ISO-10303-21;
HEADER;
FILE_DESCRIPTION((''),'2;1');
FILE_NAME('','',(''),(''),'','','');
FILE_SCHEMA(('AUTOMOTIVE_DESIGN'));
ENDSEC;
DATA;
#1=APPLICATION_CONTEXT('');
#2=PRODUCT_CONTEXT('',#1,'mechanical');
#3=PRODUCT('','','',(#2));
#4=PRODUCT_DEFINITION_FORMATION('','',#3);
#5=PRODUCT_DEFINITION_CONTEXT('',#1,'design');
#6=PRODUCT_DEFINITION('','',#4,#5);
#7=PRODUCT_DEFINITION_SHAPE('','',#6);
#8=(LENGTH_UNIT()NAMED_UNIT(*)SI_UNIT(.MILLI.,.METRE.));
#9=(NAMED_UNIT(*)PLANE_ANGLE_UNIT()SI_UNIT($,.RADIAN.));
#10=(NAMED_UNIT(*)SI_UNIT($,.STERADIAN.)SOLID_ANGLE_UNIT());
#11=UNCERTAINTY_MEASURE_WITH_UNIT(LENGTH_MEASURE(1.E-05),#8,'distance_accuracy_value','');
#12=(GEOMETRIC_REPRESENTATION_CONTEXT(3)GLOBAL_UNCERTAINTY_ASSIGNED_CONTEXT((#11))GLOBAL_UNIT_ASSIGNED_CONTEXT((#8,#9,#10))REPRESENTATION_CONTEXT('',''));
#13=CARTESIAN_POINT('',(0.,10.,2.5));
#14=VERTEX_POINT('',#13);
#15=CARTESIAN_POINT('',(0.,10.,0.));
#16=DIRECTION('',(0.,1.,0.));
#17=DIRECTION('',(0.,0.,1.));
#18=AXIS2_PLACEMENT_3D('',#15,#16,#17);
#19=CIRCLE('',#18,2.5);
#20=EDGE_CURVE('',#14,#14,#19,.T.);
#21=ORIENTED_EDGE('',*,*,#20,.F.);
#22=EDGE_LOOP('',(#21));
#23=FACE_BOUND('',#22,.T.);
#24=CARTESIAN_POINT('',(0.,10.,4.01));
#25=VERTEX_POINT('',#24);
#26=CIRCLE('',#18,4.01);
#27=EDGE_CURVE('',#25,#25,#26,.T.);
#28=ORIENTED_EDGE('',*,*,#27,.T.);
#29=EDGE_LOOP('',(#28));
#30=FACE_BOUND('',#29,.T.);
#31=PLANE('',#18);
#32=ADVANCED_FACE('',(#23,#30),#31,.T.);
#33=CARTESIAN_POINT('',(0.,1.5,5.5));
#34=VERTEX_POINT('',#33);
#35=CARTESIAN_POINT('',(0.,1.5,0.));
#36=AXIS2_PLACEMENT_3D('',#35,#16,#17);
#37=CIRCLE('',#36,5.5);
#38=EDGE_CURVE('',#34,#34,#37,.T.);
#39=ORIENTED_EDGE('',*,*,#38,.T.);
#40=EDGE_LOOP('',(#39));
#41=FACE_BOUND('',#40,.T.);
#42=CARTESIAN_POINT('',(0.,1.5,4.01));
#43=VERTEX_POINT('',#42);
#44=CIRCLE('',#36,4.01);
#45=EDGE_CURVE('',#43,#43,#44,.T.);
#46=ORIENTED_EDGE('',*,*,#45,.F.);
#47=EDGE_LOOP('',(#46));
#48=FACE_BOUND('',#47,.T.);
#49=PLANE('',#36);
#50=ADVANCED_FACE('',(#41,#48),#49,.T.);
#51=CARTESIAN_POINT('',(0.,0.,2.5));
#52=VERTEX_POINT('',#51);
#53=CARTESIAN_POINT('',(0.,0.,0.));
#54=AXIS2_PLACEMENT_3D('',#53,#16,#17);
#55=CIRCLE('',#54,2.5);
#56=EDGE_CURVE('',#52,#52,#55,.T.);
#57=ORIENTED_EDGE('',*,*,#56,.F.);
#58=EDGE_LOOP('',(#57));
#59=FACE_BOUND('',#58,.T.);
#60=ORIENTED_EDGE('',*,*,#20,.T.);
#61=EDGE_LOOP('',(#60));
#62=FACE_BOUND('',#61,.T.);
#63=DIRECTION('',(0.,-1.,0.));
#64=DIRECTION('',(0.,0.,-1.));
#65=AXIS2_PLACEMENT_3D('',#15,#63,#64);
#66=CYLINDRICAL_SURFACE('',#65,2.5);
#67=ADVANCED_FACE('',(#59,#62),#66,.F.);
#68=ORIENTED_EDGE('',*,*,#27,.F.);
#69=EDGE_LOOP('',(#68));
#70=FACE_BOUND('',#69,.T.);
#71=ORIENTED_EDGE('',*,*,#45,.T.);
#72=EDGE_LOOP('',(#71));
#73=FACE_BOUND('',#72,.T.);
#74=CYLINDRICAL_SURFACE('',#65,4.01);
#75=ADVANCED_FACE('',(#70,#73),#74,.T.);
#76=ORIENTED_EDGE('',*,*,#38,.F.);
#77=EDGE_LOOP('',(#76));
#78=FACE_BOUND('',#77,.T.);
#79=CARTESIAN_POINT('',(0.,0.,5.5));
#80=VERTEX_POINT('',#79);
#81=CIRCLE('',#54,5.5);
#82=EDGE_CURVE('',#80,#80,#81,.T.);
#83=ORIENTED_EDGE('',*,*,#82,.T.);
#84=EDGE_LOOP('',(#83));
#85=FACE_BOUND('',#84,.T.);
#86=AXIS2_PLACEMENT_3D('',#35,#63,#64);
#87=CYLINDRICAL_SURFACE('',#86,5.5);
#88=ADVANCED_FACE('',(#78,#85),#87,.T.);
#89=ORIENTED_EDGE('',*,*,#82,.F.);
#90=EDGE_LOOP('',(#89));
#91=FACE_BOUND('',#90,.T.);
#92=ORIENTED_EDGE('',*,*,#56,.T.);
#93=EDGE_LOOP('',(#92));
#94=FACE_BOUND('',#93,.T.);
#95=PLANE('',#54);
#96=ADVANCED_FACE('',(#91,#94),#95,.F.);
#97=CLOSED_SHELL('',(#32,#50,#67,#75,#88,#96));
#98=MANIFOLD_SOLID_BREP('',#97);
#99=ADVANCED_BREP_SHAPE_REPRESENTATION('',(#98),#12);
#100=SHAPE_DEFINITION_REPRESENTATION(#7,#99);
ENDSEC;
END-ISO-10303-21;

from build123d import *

# Parameters (mm, degrees)
SKETCH2_R           = 4.01
SKETCH2_R_2         = 2.5
BOSS_EXTRUDE1_DEPTH = 10
SKETCH3_R           = 5.5
SKETCH3_R_2         = 4.01
BOSS_EXTRUDE2_DEPTH = 1.5


with BuildPart() as part:
    # Sketch2 → Boss-Extrude1 (new body)
    with BuildSketch(Plane(origin=(0, 0, 0), x_dir=(1, 0, 0), z_dir=(0, 1, 0))):
        Circle(SKETCH2_R)
        Circle(SKETCH2_R_2, mode=Mode.SUBTRACT)
    extrude(amount=BOSS_EXTRUDE1_DEPTH)

    # Sketch3 → Boss-Extrude2 (add)
    with BuildSketch(Plane(origin=(0, 0, 0), x_dir=(1, 0, 0), z_dir=(0, 1, 0))):
        Circle(SKETCH3_R)
        Circle(SKETCH3_R_2, mode=Mode.SUBTRACT)
    extrude(amount=BOSS_EXTRUDE2_DEPTH)


solid = part.part
